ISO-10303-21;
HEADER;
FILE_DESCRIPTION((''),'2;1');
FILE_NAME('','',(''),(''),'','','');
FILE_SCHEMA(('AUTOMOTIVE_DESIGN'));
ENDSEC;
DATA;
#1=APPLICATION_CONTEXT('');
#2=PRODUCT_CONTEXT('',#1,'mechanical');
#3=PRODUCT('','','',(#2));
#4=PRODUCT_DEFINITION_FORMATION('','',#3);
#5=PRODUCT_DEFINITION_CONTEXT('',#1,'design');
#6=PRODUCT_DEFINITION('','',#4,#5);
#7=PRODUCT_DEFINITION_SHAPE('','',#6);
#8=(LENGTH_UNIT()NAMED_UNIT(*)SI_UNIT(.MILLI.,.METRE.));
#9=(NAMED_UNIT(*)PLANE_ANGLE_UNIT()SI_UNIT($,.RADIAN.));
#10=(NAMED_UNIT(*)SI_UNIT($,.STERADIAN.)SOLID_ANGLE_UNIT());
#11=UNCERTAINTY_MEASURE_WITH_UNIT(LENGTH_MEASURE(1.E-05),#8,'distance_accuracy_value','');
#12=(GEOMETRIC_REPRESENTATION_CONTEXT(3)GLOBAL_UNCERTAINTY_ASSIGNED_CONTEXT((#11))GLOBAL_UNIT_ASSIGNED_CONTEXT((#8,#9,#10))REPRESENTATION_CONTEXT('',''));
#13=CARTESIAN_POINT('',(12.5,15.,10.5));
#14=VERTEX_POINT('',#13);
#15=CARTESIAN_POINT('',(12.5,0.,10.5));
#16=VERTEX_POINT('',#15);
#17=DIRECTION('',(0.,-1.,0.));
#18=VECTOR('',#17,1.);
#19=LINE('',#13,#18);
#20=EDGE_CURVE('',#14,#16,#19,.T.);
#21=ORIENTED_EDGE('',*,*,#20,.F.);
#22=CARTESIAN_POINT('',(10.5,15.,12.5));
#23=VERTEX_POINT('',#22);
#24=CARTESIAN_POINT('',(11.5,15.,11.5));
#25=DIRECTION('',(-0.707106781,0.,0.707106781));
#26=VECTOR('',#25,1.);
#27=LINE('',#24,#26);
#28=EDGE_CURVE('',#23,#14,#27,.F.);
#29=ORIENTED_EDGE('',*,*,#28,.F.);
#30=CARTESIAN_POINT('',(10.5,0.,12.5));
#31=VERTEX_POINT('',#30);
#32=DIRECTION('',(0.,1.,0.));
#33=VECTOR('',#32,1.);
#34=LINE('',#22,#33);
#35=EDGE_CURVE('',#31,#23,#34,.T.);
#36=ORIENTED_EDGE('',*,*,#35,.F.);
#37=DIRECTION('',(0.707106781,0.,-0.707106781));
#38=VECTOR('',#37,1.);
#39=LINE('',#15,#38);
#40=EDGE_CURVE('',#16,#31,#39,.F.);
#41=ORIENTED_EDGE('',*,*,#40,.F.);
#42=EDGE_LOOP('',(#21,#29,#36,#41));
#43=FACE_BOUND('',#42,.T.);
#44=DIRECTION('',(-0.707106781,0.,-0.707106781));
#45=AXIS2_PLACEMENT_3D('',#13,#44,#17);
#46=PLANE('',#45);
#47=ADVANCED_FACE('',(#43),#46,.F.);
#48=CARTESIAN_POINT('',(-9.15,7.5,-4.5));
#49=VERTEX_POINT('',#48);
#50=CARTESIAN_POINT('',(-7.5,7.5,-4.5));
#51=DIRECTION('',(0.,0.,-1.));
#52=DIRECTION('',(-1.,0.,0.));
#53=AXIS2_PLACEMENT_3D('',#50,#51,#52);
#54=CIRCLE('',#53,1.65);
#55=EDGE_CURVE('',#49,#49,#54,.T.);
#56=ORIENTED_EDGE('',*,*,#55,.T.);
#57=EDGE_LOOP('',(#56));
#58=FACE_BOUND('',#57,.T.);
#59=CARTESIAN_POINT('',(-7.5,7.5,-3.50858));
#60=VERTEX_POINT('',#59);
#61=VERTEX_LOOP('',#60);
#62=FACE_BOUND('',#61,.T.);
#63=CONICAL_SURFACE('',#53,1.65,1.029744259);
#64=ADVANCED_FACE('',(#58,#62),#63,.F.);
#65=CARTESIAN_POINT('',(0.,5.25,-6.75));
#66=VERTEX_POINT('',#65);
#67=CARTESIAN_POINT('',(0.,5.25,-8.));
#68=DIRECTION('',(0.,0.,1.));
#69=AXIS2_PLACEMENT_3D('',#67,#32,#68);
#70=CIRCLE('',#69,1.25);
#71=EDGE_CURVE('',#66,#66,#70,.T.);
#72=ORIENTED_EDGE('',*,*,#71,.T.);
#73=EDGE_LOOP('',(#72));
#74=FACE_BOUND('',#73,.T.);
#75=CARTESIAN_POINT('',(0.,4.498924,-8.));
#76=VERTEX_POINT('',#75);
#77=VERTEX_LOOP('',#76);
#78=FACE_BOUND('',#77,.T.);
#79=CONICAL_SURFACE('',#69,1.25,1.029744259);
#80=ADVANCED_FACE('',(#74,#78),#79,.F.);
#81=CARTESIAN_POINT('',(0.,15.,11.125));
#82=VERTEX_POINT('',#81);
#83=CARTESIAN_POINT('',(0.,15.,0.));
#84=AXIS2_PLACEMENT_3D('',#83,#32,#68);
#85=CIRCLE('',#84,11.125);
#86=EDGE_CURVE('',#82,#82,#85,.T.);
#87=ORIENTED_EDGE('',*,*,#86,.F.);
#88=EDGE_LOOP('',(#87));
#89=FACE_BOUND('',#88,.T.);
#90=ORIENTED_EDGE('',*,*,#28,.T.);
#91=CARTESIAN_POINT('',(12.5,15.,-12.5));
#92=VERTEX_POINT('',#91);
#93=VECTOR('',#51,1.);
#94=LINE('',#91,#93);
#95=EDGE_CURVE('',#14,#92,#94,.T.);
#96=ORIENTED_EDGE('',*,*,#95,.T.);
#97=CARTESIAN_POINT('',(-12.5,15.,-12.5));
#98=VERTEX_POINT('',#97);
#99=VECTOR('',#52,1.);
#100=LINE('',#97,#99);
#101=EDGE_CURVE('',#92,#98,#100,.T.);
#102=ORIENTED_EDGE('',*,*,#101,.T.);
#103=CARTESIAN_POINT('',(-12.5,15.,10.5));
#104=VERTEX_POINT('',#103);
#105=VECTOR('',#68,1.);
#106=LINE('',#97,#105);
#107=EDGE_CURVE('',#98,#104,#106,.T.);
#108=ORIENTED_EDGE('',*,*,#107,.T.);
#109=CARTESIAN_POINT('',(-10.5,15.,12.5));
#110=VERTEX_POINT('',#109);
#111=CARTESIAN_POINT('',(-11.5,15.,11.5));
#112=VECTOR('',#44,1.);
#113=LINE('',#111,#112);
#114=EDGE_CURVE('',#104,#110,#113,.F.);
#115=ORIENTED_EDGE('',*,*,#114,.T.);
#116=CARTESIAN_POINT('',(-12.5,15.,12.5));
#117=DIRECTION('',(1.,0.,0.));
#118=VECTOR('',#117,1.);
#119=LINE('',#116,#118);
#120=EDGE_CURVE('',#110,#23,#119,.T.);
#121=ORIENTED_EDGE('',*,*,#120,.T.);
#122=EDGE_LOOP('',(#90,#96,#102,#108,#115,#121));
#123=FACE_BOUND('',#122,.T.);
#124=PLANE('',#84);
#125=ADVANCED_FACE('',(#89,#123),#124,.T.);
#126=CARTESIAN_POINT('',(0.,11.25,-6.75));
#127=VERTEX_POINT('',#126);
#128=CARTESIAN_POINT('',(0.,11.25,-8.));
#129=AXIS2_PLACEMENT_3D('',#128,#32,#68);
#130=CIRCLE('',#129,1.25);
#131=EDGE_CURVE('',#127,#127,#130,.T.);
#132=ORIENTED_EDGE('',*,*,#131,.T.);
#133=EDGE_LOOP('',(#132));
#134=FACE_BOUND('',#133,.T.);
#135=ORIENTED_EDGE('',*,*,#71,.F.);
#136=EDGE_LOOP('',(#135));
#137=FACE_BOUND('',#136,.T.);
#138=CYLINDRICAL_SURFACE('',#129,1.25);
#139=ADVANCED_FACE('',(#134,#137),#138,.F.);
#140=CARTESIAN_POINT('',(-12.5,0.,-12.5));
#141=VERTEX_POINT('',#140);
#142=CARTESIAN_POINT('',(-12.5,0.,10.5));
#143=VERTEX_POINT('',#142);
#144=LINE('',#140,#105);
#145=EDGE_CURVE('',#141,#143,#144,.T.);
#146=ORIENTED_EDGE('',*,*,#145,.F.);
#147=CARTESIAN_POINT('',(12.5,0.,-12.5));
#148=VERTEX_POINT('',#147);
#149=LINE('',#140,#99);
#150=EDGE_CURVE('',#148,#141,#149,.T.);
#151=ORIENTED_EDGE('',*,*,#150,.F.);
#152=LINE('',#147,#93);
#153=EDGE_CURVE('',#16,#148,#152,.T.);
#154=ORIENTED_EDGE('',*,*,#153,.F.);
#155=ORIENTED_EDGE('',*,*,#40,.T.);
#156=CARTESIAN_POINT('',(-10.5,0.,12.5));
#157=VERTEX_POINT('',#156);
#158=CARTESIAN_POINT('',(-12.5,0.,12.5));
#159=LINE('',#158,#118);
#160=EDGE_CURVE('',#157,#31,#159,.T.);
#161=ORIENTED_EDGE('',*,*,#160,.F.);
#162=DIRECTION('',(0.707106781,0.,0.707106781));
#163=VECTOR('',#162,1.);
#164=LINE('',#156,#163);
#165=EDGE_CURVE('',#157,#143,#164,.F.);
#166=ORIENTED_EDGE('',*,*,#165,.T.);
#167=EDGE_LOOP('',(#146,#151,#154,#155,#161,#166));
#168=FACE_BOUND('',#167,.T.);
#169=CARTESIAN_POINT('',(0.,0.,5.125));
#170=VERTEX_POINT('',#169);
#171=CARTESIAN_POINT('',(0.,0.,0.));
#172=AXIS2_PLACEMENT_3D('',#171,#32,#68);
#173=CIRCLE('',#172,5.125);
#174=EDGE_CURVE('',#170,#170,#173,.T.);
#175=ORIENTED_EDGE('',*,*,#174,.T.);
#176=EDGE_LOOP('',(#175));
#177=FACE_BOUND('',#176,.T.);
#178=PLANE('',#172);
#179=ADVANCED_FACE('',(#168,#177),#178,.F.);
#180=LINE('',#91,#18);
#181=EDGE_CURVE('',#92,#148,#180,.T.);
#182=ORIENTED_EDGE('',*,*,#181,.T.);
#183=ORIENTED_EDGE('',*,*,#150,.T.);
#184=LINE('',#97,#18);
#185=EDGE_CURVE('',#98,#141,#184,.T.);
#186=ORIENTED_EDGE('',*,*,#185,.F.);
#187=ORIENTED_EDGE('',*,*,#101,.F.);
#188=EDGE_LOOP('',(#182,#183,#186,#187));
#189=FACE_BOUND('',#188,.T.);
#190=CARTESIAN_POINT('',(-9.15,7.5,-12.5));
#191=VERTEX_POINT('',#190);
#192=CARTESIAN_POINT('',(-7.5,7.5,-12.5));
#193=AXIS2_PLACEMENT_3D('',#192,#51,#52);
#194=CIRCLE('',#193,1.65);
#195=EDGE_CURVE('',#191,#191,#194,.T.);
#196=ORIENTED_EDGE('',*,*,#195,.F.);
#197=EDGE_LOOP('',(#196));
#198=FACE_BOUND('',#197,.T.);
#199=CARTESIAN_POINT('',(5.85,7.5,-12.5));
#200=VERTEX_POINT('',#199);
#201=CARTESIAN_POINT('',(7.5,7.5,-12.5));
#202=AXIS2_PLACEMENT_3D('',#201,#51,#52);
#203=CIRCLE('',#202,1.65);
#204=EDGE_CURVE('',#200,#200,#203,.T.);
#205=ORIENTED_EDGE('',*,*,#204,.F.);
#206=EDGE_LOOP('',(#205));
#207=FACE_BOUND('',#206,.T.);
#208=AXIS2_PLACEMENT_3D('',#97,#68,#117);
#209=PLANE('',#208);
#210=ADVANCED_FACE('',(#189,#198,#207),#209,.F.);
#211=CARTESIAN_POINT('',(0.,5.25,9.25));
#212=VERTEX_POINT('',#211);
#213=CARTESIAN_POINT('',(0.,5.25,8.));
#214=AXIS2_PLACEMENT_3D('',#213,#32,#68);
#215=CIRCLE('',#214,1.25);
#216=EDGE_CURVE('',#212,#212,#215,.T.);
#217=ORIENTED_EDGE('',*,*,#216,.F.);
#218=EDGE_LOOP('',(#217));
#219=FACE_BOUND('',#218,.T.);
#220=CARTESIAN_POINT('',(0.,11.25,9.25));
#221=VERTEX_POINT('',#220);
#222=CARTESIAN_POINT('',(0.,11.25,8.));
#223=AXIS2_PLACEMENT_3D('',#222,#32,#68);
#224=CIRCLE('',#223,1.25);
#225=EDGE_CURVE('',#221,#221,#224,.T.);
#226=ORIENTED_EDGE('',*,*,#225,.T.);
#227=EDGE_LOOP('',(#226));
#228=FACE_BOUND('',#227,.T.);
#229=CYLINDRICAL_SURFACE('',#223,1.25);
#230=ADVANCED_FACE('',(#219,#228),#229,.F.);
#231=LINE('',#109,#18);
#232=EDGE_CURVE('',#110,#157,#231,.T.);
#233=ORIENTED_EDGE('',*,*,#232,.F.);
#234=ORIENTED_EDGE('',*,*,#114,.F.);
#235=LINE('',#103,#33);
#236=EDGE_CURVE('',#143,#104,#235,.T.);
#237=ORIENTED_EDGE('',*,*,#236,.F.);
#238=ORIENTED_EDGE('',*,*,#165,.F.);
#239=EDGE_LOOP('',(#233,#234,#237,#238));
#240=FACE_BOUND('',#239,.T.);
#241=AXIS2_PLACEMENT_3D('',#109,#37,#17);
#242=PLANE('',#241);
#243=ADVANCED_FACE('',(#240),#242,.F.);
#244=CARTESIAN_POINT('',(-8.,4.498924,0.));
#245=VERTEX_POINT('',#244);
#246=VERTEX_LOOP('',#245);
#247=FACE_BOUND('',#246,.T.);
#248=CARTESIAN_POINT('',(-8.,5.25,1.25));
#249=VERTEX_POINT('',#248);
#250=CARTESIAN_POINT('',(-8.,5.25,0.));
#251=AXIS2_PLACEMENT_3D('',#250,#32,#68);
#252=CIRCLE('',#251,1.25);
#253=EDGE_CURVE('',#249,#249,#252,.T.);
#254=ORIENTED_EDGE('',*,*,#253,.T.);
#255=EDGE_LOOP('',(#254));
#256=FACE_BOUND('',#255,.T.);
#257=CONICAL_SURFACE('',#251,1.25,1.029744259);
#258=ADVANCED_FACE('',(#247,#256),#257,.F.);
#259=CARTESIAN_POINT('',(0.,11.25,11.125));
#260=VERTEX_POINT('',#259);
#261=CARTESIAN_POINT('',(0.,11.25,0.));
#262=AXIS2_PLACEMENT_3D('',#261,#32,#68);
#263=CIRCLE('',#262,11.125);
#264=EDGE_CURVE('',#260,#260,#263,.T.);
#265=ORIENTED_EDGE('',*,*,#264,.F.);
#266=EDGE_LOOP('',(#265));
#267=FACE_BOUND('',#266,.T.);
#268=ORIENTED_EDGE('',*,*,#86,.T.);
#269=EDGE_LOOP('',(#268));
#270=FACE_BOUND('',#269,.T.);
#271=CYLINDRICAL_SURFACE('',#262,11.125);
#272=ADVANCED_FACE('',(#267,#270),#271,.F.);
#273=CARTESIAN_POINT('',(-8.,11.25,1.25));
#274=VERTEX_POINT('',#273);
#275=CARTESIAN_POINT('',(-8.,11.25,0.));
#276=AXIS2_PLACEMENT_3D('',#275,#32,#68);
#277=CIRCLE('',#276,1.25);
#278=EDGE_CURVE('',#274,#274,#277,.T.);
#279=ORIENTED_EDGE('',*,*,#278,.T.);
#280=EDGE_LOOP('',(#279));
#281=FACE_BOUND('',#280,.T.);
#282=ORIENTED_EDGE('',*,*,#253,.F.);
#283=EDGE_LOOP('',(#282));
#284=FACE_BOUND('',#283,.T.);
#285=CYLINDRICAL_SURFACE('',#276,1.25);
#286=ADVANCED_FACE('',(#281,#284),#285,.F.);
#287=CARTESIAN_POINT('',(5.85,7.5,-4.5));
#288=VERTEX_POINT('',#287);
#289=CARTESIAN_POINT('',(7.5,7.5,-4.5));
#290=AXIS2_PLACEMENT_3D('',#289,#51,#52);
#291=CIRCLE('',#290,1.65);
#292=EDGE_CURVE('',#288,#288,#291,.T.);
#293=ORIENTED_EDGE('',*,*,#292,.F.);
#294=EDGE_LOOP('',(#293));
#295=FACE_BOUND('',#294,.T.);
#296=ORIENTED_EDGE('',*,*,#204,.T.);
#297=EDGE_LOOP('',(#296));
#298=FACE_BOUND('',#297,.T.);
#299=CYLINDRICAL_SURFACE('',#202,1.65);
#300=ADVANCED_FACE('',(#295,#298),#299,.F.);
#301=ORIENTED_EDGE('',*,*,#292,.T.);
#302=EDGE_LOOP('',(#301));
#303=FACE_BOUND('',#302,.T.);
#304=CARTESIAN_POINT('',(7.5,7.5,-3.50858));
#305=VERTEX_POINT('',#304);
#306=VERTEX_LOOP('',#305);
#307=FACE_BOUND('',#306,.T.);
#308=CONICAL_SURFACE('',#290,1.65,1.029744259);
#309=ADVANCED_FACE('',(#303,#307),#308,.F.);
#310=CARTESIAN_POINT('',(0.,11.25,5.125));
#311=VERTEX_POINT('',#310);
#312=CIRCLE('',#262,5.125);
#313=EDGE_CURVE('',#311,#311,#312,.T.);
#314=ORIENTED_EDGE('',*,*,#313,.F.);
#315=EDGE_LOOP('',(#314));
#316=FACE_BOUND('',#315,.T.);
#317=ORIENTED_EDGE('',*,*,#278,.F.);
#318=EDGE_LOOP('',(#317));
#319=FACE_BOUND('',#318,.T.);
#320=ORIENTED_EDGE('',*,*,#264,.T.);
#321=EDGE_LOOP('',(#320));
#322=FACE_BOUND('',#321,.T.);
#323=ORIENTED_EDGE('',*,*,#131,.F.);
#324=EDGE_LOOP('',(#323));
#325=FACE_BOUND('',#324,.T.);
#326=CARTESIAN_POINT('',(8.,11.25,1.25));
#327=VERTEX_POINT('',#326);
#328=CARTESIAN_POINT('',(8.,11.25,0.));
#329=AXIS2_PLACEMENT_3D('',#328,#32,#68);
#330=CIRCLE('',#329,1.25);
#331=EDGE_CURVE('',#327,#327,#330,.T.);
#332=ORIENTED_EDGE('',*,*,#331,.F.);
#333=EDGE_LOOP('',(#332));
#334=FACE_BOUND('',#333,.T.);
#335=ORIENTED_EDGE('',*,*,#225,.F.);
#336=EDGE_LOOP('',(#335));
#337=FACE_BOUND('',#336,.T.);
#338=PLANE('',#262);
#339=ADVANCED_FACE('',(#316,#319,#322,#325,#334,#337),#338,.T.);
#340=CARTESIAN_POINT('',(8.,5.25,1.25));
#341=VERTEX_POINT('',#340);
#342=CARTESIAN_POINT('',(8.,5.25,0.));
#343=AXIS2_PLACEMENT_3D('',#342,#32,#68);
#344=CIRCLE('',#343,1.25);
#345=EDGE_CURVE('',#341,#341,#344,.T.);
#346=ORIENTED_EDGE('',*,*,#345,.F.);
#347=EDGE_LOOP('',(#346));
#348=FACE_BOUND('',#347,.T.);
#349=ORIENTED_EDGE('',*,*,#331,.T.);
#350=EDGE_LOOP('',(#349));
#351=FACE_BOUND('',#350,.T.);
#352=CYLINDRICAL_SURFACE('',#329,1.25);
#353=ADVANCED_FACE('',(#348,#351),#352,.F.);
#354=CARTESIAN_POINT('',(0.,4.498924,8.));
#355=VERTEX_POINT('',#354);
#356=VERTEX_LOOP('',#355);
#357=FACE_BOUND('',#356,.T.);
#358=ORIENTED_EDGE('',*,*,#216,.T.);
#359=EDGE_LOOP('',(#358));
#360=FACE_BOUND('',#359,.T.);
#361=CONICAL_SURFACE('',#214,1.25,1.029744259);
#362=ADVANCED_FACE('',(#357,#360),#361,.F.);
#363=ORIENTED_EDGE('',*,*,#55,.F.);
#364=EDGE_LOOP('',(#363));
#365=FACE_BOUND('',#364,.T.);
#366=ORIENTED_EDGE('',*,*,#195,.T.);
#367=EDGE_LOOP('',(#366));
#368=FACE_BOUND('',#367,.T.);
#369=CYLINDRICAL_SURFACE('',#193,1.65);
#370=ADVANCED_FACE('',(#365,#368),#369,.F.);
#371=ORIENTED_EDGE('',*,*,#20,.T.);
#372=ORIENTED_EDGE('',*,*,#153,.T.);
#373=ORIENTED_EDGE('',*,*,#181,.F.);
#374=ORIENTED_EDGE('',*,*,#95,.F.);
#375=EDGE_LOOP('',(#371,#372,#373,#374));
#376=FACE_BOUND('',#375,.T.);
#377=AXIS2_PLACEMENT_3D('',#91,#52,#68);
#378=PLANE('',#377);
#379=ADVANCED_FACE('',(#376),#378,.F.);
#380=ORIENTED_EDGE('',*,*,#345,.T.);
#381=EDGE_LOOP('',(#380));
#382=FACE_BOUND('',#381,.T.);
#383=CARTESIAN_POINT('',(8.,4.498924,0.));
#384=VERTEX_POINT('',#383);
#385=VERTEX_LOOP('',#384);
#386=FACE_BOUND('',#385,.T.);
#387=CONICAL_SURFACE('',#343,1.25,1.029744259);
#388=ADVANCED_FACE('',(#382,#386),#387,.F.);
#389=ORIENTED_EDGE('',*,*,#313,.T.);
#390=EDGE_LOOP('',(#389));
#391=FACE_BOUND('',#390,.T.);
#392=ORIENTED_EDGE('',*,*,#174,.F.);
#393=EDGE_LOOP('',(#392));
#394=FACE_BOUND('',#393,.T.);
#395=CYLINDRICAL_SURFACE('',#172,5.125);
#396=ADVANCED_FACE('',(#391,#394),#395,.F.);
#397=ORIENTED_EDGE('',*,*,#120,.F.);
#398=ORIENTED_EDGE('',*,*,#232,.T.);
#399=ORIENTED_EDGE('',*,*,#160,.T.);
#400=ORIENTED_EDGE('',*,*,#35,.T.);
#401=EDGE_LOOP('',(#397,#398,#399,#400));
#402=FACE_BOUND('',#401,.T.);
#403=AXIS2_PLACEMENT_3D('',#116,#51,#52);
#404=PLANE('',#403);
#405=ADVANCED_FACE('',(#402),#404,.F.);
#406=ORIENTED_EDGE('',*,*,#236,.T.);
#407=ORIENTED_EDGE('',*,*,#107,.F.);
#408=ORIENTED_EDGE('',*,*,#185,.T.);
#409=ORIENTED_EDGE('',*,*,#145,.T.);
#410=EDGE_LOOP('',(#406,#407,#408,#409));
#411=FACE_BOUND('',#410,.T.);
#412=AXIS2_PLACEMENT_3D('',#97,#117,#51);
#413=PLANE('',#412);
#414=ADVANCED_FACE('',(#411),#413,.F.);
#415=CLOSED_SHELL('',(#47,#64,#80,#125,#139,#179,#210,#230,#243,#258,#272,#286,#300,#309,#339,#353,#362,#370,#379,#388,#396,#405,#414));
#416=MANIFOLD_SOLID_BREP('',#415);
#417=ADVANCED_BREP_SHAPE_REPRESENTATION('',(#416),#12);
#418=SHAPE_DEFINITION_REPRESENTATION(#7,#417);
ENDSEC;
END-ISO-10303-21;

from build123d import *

# Parameters (mm, degrees)
SKETCH1_W                 = 25
SKETCH1_H                 = 25
BOSS_EXTRUDE1_DEPTH       = 15
SKETCH2_R                 = 11.125
CUT_EXTRUDE1_DEPTH        = 3.75
SKETCH3_R                 = 5.125
CUT_EXTRUDE2_DEPTH        = 12.25
M3X0_5_TAPPED_HOLE1_D     = 2.5
M3X0_5_TAPPED_HOLE1_DEPTH = 6
M3X0_5_TAPPED_HOLE1_TIP   = 0.751075774
M4X0_7_TAPPED_HOLE1_D     = 3.3
M4X0_7_TAPPED_HOLE1_DEPTH = 8
M4X0_7_TAPPED_HOLE1_TIP   = 0.991420021
CHAMFER1_SIZE             = 2


with BuildPart() as part:
    # Sketch1 → Boss-Extrude1 (new body)
    with BuildSketch(Plane(origin=(0, 0, 0), x_dir=(1, 0, 0), z_dir=(0, 1, 0))):
        Rectangle(SKETCH1_W, SKETCH1_H)
    extrude(amount=BOSS_EXTRUDE1_DEPTH)

    # Sketch2 → Cut-Extrude1 (cut)
    with BuildSketch(Plane(origin=(0, 15, 0), x_dir=(1, 0, 0), z_dir=(0, 1, 0))):
        Circle(SKETCH2_R)
    extrude(amount=-CUT_EXTRUDE1_DEPTH, mode=Mode.SUBTRACT)

    # Sketch3 → Cut-Extrude2 (cut, through all)
    with BuildSketch(Plane(origin=(0, 11.25, 0), x_dir=(1, 0, 0), z_dir=(0, 1, 0))):
        Circle(SKETCH3_R)
    extrude(amount=-CUT_EXTRUDE2_DEPTH, mode=Mode.SUBTRACT)

    # M3x0.5 Tapped Hole1
    with Locations(Plane(origin=(0, 11.25, 0), x_dir=(1, 0, 0), z_dir=(0, 1, 0))):
        with Locations((-8, 0), (8, 0), (0, 8), (0, -8)):
            Hole(M3X0_5_TAPPED_HOLE1_D / 2, depth=M3X0_5_TAPPED_HOLE1_DEPTH)
            with Locations((0, 0, -(M3X0_5_TAPPED_HOLE1_DEPTH + M3X0_5_TAPPED_HOLE1_TIP / 2))):  # 118° drill point
                Cone(0, M3X0_5_TAPPED_HOLE1_D / 2, M3X0_5_TAPPED_HOLE1_TIP, mode=Mode.SUBTRACT)

    # M4x0.7 Tapped Hole1
    with Locations(Plane(origin=(0, 0, -12.5), x_dir=(-1, 0, 0), z_dir=(0, 0, -1))):
        with Locations((-7.5, 7.5), (7.5, 7.5)):
            Hole(M4X0_7_TAPPED_HOLE1_D / 2, depth=M4X0_7_TAPPED_HOLE1_DEPTH)
            with Locations((0, 0, -(M4X0_7_TAPPED_HOLE1_DEPTH + M4X0_7_TAPPED_HOLE1_TIP / 2))):  # 118° drill point
                Cone(0, M4X0_7_TAPPED_HOLE1_D / 2, M4X0_7_TAPPED_HOLE1_TIP, mode=Mode.SUBTRACT)

    # Chamfer1
    chamfer1_edges = [part.edges().sort_by_distance(p)[0] for p in [
        (12.5, 7.5, 12.5),
        (-12.5, 7.5, 12.5),
    ]]
    chamfer(chamfer1_edges, length=CHAMFER1_SIZE)


solid = part.part
